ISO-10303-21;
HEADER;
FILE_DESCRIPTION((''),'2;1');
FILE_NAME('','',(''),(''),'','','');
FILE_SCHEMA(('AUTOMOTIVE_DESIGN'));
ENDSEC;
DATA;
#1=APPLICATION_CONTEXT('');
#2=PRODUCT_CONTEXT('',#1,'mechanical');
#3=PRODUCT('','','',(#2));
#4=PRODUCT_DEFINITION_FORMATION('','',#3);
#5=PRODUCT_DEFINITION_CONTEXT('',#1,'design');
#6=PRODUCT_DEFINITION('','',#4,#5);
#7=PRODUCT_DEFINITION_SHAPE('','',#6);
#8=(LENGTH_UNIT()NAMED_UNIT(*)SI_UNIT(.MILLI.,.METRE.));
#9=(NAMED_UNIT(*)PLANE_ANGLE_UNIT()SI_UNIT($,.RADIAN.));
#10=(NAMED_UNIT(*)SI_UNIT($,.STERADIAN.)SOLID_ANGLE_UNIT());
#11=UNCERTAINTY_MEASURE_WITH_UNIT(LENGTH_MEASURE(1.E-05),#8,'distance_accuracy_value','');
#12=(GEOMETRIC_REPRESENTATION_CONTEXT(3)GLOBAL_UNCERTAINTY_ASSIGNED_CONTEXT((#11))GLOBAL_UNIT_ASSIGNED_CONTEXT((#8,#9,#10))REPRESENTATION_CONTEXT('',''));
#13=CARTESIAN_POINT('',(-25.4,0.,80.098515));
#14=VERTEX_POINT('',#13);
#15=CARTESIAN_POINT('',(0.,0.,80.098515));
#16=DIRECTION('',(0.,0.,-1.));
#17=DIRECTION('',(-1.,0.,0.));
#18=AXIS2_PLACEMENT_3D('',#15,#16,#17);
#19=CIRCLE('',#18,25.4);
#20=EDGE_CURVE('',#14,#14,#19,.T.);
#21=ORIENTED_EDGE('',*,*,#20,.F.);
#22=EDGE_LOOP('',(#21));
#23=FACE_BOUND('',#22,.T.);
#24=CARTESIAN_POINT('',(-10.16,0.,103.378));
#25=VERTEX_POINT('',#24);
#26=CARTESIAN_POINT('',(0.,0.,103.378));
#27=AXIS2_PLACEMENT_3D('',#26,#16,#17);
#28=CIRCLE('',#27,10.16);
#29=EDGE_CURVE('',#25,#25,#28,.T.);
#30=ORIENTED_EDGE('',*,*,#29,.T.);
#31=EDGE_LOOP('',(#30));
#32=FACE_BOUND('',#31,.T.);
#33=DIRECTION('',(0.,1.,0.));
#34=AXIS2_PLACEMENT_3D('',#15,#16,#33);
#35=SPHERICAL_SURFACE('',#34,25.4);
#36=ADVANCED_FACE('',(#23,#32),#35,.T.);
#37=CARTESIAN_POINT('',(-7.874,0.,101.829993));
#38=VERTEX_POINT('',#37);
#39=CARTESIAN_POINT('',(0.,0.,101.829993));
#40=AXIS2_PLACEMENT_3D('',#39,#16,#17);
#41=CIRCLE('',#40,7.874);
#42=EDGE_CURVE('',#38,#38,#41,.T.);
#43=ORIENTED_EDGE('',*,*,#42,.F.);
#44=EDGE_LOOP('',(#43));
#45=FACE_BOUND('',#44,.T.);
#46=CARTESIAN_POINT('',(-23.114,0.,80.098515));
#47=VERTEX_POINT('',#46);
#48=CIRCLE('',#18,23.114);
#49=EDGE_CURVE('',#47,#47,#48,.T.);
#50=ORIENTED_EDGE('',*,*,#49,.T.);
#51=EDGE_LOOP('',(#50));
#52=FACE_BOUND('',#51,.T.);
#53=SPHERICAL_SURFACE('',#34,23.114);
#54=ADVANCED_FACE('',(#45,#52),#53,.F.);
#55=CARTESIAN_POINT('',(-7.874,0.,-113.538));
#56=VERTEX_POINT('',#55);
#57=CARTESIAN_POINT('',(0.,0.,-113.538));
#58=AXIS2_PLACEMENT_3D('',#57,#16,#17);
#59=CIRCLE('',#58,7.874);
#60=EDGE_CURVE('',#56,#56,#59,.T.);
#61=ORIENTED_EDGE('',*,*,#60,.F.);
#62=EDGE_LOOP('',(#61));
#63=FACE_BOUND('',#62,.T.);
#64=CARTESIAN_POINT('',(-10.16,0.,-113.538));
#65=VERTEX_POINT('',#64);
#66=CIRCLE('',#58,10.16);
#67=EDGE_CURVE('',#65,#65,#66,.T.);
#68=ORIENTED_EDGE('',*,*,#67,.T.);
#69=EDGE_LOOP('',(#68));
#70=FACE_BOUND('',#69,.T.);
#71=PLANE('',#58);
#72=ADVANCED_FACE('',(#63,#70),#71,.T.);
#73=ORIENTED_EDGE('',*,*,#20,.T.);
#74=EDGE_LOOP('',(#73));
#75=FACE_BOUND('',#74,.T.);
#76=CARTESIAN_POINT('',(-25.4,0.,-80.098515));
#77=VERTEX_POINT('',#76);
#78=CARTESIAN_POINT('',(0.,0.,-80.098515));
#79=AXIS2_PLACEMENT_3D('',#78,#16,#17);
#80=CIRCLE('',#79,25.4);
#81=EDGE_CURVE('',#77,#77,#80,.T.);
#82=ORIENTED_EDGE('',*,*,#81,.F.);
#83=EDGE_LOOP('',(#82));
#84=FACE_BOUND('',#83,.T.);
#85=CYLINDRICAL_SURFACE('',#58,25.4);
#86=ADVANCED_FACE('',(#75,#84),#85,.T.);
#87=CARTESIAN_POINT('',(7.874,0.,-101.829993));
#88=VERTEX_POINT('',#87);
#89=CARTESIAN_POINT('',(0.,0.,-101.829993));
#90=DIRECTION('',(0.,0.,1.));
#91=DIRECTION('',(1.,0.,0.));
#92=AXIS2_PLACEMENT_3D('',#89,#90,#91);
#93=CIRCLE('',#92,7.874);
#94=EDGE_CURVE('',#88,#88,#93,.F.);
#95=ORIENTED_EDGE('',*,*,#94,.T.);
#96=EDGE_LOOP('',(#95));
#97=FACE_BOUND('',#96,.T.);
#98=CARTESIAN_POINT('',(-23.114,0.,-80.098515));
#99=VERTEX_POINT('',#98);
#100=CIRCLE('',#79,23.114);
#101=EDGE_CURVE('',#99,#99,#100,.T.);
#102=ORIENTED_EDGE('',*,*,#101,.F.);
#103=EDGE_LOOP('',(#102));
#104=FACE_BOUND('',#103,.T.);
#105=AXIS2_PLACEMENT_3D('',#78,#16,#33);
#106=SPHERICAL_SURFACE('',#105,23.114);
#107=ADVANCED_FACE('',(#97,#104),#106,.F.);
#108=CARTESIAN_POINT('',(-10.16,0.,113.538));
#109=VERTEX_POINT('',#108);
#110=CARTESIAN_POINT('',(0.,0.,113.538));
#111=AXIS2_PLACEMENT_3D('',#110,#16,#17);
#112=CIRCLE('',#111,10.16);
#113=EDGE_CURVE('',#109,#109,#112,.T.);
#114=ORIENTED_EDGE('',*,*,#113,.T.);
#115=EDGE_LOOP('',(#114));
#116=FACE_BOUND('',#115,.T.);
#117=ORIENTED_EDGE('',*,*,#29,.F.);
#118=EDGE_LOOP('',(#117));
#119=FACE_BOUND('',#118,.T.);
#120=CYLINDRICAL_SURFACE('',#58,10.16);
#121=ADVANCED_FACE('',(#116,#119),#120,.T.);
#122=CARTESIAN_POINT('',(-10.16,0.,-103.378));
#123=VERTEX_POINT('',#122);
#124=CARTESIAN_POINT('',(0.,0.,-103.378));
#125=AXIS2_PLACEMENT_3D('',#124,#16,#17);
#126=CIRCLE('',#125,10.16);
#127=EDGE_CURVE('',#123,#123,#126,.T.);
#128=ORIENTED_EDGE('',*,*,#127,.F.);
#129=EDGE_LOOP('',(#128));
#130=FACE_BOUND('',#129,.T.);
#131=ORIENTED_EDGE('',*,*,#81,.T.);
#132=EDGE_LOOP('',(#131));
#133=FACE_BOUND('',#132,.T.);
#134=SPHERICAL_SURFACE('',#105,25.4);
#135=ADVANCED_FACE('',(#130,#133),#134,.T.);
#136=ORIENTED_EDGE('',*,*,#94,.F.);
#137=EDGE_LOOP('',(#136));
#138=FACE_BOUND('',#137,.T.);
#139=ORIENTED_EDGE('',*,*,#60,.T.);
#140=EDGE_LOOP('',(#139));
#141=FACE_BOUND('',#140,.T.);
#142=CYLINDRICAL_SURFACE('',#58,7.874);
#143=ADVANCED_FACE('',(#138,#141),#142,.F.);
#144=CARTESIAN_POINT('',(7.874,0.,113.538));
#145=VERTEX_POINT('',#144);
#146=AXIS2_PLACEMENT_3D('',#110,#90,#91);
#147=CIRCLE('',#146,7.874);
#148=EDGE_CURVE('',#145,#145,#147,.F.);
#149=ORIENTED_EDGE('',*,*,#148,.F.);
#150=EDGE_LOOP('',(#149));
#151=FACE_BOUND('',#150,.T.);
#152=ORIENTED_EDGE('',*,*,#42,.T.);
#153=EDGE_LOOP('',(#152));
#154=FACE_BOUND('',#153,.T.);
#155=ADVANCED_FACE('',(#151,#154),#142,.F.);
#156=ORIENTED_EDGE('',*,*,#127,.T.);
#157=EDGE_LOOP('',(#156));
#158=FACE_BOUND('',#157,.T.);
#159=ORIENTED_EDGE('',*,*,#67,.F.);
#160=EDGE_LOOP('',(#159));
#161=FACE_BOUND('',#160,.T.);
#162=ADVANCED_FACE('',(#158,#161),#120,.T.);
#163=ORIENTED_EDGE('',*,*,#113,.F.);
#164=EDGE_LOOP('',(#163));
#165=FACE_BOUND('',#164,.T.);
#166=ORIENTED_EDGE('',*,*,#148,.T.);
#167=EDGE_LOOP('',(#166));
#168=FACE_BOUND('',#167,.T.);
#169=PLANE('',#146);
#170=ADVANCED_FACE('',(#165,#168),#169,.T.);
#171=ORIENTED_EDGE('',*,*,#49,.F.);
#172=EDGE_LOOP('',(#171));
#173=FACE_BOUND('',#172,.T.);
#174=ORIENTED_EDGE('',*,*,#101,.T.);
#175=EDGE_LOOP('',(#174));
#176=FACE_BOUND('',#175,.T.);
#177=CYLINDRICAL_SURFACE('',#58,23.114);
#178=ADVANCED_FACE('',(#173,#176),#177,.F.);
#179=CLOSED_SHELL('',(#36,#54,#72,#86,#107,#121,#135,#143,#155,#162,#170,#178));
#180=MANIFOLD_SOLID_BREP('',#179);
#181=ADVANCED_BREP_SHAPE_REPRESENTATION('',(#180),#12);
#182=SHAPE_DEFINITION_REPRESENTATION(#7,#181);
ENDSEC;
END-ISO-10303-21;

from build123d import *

# Parameters (mm, degrees)
SHELL1_T = -2.286


with BuildPart() as part:
    # Sketch1 → Revolve1 (revolve)
    with BuildSketch(Plane(origin=(0, 0, 0), x_dir=(0, 0, -1), z_dir=(1, 0, 0)), mode=Mode.PRIVATE) as revolve1_sk:
        with BuildLine():
            Line((113.538, 0), (-113.538, 0))
            Line((-113.538, 0), (-113.538, 10.16))
            Line((-113.538, 10.16), (-103.378, 10.16))
            ThreePointArc((-103.378, 10.16), (-94.01066843, 21.251164674), (-80.09851547, 25.4))
            Line((-80.09851547, 25.4), (80.09851547, 25.4))
            ThreePointArc((80.09851547, 25.4), (94.01066843, 21.251164674), (103.378, 10.16))
            Line((103.378, 10.16), (113.538, 10.16))
            Line((113.538, 10.16), (113.538, 0))
        make_face()
    revolve(revolve1_sk.sketch.rotate(Axis((0, 0, -113.538), (0, 0, 1)), 90), axis=Axis((0, 0, -113.538), (0, 0, 1)))

    # Shell1
    shell1_openings = [part.faces().sort_by_distance(p)[0] for p in [
        (0, 0, 113.538),
        (0, 0, -113.538),
    ]]
    offset(amount=SHELL1_T, openings=shell1_openings, kind=Kind.INTERSECTION)


solid = part.part
